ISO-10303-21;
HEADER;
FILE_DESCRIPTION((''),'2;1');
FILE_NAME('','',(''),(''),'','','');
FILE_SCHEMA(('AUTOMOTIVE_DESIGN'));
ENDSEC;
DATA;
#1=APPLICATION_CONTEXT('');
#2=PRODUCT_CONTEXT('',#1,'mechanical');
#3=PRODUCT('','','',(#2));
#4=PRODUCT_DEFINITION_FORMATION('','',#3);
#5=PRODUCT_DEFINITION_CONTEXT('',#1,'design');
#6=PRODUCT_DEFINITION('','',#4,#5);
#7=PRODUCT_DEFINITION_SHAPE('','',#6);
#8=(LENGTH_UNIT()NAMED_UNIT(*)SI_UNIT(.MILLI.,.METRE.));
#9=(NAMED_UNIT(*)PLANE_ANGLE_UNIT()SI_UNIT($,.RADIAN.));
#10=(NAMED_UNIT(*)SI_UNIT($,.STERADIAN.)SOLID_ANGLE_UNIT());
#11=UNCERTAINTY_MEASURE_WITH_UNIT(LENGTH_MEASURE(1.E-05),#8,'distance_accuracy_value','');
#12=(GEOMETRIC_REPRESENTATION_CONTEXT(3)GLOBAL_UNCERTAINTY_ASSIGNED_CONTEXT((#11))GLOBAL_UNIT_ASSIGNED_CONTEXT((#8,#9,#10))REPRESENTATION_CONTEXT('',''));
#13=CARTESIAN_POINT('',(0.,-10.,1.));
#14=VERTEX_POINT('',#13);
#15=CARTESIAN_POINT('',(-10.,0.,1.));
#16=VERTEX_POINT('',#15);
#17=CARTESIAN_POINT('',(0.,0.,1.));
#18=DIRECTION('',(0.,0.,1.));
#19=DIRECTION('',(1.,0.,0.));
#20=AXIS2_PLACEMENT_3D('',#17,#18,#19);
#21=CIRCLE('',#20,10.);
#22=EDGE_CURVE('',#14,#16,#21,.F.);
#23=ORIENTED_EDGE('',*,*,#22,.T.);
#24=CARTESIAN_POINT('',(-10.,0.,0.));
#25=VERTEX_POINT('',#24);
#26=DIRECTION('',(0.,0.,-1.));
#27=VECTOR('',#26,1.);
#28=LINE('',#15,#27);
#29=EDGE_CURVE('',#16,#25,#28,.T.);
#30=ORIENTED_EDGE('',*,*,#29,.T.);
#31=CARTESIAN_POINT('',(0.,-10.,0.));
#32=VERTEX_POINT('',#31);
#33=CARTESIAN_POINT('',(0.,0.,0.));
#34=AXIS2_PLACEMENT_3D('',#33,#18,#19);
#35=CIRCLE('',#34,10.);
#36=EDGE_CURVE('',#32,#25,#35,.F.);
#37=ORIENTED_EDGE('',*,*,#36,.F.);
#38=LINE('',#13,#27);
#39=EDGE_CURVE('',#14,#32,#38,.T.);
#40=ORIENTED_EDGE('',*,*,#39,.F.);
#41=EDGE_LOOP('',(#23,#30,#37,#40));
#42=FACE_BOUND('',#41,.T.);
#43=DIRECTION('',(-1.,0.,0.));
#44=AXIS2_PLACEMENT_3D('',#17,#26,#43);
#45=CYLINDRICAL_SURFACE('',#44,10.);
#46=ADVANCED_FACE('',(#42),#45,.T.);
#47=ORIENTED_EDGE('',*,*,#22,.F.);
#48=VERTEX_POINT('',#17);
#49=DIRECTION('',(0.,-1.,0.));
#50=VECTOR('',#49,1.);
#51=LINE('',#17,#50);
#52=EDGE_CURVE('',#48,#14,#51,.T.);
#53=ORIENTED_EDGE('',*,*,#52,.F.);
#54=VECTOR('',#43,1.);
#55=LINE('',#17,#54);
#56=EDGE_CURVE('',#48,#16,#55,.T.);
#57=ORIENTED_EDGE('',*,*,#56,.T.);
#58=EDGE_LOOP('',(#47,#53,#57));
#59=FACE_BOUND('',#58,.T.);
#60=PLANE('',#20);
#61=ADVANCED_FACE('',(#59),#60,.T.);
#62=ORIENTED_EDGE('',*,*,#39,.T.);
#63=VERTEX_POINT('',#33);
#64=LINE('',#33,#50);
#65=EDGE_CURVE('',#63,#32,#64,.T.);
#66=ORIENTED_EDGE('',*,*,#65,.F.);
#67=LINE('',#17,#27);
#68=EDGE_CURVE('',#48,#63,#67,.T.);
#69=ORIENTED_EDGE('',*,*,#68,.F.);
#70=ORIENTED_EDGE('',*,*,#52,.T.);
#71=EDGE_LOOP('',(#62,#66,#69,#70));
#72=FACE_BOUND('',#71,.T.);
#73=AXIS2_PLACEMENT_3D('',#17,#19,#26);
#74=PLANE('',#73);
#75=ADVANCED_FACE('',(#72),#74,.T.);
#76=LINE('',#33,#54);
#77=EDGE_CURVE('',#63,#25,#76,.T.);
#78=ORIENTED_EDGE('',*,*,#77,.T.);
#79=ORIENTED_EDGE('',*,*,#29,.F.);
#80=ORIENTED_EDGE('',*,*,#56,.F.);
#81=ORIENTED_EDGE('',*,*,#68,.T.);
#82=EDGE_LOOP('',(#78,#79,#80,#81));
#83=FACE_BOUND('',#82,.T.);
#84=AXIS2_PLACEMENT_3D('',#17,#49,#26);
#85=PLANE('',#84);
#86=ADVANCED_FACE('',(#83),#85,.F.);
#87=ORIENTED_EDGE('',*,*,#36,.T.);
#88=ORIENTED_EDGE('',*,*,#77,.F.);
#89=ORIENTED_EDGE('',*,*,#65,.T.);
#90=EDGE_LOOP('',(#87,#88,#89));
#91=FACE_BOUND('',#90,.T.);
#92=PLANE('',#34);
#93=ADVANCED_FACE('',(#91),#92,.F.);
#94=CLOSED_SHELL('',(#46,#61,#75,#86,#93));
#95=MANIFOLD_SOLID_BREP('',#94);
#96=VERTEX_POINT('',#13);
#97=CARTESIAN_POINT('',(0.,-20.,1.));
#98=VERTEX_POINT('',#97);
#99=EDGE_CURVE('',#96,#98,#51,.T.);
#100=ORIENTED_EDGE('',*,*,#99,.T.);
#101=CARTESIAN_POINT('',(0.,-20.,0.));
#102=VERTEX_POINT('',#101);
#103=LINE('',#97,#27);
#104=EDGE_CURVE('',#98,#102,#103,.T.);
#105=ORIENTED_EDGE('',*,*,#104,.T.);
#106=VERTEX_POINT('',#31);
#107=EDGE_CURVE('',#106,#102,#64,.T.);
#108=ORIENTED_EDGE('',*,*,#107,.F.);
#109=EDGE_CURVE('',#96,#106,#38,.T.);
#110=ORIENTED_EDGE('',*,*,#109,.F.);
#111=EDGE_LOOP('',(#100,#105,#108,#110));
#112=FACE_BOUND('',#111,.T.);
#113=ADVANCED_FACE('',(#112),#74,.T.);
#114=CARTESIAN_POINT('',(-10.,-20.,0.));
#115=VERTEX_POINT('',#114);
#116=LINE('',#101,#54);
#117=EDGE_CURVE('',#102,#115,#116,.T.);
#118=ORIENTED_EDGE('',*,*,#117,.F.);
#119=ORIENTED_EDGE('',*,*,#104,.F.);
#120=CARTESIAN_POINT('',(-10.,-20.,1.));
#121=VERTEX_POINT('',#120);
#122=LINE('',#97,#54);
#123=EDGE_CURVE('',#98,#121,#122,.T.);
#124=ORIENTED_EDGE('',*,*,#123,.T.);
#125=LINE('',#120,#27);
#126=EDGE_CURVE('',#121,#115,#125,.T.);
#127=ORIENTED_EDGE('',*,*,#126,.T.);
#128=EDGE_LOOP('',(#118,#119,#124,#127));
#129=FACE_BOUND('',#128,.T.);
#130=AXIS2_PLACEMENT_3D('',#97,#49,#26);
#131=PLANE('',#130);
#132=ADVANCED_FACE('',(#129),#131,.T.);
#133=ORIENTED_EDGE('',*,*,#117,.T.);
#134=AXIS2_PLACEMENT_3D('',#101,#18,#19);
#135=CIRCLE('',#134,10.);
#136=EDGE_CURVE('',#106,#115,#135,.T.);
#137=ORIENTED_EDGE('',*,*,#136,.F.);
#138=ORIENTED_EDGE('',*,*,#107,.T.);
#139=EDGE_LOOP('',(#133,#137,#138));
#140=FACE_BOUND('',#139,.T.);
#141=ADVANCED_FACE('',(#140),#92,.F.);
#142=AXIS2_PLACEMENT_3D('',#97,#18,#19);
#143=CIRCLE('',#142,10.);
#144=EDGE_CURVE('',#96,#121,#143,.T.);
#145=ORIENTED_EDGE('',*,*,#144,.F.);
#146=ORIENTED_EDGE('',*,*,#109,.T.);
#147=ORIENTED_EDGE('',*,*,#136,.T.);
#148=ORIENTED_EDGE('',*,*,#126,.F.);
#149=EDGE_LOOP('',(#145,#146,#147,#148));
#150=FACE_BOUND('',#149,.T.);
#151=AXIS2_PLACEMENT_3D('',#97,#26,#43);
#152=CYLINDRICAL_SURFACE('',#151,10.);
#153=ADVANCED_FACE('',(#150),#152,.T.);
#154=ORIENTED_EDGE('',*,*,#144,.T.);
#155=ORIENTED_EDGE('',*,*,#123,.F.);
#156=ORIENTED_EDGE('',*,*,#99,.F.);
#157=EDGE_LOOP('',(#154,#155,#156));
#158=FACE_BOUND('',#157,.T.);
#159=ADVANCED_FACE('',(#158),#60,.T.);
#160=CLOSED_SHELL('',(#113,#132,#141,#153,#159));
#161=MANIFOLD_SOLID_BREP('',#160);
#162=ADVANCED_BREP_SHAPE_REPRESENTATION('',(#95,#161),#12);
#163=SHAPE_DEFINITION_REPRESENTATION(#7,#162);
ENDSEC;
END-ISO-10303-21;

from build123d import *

# Parameters (mm, degrees)
EXTRUDE_1_DEPTH   = 1
EXTRUDE_1_2_DEPTH = 1


with BuildPart() as part:
    # ｽｹｯﾁ1 → ﾎﾞｽ - 押し出し1 (new body)
    with BuildSketch(Plane.XY):
        with BuildLine():
            Line((0, -10), (0, 0))
            Line((0, 0), (-10, 0))
            ThreePointArc((-10, 0), (-7.071067812, -7.071067812), (0, -10))
        make_face()
    extrude(amount=EXTRUDE_1_DEPTH)


with BuildPart() as body_2:
    # ｽｹｯﾁ1 → Extrude 1 2 (new body)
    with BuildSketch(Plane.XY):
        with BuildLine():
            Line((0, -20), (0, -10))
            ThreePointArc((0, -10), (-7.071067812, -12.928932188), (-10, -20))
            Line((-10, -20), (0, -20))
        make_face()
    extrude(amount=EXTRUDE_1_2_DEPTH)


solid = Compound([part.part, body_2.part])
